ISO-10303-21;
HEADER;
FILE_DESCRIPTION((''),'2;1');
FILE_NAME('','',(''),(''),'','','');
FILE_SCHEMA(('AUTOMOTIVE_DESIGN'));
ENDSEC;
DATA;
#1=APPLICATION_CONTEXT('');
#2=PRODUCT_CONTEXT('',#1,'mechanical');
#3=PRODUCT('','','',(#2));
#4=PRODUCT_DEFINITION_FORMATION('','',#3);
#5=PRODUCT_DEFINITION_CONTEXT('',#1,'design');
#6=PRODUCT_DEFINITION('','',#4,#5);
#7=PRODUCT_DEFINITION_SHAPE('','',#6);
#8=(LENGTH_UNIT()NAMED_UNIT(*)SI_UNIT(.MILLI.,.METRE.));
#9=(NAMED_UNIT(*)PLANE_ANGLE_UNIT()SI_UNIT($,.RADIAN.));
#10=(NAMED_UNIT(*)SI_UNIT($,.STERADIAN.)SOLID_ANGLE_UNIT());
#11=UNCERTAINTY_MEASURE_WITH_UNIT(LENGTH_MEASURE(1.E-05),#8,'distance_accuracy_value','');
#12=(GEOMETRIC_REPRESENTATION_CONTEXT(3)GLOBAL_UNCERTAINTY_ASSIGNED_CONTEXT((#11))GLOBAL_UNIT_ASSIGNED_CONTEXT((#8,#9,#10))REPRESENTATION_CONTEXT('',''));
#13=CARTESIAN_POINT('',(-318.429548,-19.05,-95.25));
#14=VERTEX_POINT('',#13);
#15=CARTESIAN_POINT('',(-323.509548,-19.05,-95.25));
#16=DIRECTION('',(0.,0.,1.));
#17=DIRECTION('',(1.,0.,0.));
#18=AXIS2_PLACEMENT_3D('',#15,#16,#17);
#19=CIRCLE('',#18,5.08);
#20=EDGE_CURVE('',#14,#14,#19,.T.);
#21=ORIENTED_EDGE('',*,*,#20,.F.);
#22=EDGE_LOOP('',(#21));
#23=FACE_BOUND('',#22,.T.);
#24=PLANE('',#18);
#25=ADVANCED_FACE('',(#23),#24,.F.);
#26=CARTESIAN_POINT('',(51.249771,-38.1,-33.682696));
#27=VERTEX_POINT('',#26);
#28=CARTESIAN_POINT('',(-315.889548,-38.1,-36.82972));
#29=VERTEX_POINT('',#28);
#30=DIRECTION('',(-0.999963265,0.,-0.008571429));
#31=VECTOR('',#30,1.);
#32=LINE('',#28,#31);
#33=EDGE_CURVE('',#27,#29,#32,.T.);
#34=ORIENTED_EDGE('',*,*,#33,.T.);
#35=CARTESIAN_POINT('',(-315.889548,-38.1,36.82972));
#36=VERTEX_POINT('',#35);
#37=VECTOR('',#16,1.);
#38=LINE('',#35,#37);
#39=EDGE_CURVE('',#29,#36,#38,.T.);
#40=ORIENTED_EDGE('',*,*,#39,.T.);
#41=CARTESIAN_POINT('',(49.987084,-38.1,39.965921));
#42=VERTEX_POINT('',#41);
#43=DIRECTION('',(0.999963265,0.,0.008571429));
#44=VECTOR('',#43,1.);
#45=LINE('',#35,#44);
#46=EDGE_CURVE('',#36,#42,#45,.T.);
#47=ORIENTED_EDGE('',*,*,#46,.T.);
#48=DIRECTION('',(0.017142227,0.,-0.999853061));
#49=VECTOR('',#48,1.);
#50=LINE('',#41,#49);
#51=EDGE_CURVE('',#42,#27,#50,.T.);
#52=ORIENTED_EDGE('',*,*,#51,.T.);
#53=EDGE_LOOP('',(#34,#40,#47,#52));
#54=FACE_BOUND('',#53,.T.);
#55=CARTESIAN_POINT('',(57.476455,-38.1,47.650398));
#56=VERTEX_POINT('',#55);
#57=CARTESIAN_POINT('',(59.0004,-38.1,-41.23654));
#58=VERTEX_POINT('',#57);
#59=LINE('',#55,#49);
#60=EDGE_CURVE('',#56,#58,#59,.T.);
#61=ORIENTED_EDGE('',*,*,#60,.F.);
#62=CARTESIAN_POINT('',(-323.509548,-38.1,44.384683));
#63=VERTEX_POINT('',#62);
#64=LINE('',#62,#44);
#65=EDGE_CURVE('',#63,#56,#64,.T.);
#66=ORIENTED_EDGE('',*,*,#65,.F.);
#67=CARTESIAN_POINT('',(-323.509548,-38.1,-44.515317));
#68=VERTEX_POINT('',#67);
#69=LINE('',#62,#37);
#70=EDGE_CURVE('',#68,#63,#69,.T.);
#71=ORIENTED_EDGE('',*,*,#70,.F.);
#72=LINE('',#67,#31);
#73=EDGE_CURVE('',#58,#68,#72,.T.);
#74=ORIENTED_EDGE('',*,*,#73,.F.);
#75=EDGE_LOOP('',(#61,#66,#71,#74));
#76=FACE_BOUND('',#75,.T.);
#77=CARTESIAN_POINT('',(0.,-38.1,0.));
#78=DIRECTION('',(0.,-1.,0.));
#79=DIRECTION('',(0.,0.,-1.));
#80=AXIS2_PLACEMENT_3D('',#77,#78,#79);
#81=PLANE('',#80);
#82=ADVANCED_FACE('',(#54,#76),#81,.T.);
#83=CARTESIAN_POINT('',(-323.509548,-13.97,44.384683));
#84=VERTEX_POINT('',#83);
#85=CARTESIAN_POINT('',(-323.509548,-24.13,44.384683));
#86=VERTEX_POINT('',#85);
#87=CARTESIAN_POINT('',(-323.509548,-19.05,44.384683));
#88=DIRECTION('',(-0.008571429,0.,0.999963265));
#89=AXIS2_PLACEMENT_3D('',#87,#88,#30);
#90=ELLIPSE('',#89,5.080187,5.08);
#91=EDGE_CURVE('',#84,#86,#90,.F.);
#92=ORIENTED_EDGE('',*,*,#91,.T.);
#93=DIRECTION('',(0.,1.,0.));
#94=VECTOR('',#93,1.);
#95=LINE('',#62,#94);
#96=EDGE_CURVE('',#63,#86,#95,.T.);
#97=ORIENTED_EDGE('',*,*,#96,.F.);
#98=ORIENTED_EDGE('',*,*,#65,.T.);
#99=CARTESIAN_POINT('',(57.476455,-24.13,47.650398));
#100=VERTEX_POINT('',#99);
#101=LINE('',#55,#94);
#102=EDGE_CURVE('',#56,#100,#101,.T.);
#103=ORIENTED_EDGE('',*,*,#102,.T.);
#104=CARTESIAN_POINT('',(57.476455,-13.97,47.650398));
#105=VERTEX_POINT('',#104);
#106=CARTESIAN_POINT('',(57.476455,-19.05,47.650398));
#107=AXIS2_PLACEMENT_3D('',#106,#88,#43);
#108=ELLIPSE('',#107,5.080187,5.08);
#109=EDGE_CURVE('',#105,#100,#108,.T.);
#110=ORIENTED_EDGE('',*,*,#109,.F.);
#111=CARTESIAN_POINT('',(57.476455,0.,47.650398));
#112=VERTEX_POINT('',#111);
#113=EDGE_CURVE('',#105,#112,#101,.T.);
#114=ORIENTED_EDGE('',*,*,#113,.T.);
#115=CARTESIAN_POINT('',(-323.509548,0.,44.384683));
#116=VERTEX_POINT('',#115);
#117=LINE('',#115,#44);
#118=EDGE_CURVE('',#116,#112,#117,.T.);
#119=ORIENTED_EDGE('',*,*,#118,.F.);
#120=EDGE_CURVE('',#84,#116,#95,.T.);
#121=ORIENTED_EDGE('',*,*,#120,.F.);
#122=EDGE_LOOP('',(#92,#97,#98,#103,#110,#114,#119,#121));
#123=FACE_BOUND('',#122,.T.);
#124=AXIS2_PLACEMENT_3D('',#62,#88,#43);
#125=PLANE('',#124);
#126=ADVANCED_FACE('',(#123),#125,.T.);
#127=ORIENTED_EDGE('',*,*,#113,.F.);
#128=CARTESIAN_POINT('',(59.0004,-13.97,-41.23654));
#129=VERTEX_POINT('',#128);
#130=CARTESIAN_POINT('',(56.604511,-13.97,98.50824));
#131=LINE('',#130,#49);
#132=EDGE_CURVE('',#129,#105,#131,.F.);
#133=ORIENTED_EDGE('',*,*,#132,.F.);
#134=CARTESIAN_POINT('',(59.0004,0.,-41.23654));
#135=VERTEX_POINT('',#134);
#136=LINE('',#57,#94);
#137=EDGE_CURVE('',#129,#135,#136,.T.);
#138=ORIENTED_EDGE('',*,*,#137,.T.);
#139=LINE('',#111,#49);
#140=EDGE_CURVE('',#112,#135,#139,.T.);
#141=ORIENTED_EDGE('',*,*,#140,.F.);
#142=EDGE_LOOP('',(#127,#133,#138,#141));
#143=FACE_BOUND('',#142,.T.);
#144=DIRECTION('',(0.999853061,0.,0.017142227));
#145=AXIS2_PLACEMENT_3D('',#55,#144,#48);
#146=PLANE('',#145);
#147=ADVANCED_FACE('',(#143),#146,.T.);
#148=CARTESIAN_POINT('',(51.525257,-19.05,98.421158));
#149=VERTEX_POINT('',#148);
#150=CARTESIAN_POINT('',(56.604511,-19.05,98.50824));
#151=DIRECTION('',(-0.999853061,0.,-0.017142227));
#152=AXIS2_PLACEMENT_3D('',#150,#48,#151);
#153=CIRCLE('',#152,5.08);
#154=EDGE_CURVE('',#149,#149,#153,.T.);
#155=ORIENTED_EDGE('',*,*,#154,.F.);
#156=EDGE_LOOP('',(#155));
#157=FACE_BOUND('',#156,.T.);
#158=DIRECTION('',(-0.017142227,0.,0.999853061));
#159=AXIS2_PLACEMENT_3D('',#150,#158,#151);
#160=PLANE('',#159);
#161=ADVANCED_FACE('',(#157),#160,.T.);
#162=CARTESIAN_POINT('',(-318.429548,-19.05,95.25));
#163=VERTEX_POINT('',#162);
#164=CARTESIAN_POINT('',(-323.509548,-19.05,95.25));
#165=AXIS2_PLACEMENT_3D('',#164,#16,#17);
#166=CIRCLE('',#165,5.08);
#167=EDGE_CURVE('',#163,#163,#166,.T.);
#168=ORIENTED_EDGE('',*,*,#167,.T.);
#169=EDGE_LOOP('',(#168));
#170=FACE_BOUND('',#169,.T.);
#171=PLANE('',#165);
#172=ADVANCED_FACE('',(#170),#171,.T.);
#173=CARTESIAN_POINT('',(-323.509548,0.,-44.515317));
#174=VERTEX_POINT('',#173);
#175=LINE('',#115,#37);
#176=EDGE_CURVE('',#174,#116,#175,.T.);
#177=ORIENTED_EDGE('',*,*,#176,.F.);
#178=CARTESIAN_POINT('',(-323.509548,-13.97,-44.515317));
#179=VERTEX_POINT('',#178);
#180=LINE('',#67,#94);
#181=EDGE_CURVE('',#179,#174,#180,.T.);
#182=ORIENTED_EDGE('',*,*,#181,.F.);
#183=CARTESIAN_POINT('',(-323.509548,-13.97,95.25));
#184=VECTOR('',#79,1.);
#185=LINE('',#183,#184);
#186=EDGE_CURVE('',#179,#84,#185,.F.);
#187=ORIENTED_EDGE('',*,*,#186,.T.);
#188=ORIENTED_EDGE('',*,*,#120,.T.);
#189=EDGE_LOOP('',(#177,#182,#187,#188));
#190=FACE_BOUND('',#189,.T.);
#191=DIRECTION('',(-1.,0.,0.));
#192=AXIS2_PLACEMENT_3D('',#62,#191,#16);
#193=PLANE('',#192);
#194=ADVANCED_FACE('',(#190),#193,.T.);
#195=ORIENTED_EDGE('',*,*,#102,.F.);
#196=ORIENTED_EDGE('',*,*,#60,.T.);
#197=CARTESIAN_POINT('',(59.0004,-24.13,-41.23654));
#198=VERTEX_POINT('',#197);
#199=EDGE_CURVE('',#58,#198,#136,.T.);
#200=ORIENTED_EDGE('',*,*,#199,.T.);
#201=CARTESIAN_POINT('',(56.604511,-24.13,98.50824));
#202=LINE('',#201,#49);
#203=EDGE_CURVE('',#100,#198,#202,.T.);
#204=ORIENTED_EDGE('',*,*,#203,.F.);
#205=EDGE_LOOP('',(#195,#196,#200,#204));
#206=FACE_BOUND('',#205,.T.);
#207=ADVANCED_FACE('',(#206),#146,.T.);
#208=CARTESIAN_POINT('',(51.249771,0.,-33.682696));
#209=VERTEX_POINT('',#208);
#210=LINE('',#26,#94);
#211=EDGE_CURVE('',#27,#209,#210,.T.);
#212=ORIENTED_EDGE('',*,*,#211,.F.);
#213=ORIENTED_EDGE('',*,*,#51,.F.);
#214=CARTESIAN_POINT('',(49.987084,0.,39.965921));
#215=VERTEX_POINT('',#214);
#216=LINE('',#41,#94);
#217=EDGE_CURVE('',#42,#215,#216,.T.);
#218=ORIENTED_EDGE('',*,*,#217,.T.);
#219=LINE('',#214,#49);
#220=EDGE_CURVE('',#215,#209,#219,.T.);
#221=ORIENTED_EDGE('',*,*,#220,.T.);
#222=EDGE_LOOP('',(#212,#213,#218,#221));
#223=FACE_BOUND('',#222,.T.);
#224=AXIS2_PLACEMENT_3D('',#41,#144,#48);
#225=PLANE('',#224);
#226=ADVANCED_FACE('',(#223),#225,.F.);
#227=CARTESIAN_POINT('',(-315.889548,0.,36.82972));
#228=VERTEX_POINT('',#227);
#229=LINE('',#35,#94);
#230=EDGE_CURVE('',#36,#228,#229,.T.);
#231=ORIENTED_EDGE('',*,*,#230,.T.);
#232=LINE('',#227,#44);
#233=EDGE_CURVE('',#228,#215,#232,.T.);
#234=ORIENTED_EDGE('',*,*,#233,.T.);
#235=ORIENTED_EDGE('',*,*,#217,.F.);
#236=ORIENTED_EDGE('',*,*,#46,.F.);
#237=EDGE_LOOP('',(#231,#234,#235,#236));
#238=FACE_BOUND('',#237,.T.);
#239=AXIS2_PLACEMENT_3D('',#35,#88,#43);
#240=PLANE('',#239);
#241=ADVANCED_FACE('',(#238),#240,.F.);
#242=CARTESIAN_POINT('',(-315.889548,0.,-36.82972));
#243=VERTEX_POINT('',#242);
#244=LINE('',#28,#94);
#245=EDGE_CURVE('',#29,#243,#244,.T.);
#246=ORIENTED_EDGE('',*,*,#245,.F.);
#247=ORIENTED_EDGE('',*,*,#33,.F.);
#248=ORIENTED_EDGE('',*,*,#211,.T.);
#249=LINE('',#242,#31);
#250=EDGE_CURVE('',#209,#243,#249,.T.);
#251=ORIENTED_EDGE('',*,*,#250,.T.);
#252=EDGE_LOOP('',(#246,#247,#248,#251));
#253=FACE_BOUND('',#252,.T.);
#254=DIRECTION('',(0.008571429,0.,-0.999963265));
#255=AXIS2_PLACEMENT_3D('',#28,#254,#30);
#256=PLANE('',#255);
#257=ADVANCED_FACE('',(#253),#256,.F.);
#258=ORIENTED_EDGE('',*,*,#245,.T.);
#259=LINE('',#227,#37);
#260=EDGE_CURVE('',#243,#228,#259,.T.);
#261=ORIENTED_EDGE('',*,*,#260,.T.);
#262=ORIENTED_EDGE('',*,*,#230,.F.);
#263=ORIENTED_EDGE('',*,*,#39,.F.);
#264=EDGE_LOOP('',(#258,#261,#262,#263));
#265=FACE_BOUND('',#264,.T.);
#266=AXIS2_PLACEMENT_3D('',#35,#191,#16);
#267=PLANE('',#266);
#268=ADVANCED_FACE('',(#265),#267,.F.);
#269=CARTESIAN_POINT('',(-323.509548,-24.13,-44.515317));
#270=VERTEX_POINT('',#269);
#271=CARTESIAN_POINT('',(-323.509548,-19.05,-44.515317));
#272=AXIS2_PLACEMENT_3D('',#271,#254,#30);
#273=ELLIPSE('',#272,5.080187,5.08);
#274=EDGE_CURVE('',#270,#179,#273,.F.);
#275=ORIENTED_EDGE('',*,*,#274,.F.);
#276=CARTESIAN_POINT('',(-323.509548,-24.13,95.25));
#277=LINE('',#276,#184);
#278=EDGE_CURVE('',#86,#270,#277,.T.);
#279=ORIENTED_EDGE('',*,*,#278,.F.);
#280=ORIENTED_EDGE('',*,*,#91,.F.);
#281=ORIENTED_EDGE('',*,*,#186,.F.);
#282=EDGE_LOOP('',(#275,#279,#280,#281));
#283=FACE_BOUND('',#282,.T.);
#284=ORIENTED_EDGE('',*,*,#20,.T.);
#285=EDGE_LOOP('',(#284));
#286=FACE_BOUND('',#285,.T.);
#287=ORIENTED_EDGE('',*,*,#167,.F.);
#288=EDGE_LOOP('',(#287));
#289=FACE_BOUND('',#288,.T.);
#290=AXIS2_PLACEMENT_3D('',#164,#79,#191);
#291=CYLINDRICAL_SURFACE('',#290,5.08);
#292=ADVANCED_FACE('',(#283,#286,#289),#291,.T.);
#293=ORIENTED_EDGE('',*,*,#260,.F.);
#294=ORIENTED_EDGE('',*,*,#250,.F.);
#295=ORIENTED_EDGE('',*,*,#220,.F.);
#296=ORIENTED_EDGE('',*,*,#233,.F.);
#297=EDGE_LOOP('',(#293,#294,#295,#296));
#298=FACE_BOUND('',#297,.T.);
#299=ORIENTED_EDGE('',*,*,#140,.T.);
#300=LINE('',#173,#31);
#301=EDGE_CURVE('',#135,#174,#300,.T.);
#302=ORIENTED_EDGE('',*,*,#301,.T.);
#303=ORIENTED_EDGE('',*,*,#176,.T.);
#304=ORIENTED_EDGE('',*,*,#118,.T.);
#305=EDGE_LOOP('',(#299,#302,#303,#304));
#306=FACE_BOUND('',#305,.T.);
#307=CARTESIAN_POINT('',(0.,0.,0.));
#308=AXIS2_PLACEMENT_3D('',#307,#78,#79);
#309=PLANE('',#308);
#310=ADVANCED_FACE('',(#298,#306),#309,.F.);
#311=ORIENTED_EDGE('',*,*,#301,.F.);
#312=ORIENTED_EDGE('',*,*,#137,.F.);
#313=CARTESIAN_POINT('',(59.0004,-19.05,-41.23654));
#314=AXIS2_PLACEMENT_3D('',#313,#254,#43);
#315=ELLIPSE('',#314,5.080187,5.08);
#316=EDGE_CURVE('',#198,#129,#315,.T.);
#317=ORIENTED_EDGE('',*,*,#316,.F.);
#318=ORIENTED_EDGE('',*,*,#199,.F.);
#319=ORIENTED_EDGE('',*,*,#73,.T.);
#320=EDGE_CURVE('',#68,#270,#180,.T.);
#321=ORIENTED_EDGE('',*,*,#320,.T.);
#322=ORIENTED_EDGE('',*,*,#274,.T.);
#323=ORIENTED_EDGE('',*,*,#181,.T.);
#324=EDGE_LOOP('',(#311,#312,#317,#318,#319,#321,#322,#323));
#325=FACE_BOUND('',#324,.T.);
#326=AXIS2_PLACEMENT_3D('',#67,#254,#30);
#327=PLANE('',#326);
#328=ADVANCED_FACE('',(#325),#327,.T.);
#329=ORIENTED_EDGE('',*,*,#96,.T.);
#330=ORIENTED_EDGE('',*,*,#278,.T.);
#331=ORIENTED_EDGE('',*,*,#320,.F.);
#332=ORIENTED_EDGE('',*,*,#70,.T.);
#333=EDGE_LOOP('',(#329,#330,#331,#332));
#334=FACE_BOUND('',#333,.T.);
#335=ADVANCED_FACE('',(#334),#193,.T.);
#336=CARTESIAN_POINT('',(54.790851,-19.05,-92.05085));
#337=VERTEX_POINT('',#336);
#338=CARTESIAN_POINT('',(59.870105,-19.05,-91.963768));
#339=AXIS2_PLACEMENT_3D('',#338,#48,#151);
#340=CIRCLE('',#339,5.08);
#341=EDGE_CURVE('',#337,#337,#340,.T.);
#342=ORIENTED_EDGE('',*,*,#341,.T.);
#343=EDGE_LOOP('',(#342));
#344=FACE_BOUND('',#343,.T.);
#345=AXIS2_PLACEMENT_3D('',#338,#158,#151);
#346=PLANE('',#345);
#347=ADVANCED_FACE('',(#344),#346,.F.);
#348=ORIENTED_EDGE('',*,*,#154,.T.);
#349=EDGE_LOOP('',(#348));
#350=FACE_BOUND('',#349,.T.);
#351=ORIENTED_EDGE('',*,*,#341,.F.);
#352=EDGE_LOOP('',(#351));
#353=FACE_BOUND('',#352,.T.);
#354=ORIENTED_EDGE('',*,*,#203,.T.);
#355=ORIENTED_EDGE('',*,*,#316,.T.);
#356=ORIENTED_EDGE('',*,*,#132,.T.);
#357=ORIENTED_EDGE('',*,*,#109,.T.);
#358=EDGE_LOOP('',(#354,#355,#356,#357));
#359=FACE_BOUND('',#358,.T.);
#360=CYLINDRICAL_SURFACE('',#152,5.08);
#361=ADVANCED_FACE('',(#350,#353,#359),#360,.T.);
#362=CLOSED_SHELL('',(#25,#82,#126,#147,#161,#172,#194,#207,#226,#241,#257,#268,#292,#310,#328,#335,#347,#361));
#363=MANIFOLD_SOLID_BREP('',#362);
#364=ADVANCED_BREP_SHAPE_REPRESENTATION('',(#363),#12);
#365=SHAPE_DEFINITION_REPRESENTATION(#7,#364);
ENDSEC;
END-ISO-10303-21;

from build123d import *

# Parameters (mm, degrees)
BOSS_EXTRUDE1_DEPTH = 38.1
SKETCH2_R           = 5.08
BOSS_EXTRUDE2_DEPTH = 95.25


with BuildPart() as part:
    # Sketch1 → Boss-Extrude1 (new body)
    with BuildSketch(Plane(origin=(0, 0, 0), x_dir=(1, 0, 0), z_dir=(0, 1, 0))):
        Polygon((-323.509548329, -44.384683315), (57.476455496, -47.650397601), (59.000399511, 41.236539542), (-323.509548329, 44.515316685), align=None)
        Polygon((-315.889548329, -36.829720066), (49.987084067, -39.965920696), (51.24977094, 33.682696008), (-315.889548329, 36.829720066), align=None, mode=Mode.SUBTRACT)
    extrude(amount=-BOSS_EXTRUDE1_DEPTH)

    # Sketch2 → Boss-Extrude2 (add, symmetric)
    with BuildSketch(Plane.XY):
        with Locations((-323.509548329, -19.05)):
            Circle(SKETCH2_R)
    boss_extrude2 = extrude(amount=BOSS_EXTRUDE2_DEPTH, both=True)

    # Mirror1: Boss-Extrude2 across plane
    add(boss_extrude2.mirror(Plane(origin=(-132.612352201, 0, -1.136719062), x_dir=(-0.008571428571427947, 0, 0.9999632646313789), z_dir=(0.999963264631379, 0, 0.008571428571427946))))


solid = part.part
